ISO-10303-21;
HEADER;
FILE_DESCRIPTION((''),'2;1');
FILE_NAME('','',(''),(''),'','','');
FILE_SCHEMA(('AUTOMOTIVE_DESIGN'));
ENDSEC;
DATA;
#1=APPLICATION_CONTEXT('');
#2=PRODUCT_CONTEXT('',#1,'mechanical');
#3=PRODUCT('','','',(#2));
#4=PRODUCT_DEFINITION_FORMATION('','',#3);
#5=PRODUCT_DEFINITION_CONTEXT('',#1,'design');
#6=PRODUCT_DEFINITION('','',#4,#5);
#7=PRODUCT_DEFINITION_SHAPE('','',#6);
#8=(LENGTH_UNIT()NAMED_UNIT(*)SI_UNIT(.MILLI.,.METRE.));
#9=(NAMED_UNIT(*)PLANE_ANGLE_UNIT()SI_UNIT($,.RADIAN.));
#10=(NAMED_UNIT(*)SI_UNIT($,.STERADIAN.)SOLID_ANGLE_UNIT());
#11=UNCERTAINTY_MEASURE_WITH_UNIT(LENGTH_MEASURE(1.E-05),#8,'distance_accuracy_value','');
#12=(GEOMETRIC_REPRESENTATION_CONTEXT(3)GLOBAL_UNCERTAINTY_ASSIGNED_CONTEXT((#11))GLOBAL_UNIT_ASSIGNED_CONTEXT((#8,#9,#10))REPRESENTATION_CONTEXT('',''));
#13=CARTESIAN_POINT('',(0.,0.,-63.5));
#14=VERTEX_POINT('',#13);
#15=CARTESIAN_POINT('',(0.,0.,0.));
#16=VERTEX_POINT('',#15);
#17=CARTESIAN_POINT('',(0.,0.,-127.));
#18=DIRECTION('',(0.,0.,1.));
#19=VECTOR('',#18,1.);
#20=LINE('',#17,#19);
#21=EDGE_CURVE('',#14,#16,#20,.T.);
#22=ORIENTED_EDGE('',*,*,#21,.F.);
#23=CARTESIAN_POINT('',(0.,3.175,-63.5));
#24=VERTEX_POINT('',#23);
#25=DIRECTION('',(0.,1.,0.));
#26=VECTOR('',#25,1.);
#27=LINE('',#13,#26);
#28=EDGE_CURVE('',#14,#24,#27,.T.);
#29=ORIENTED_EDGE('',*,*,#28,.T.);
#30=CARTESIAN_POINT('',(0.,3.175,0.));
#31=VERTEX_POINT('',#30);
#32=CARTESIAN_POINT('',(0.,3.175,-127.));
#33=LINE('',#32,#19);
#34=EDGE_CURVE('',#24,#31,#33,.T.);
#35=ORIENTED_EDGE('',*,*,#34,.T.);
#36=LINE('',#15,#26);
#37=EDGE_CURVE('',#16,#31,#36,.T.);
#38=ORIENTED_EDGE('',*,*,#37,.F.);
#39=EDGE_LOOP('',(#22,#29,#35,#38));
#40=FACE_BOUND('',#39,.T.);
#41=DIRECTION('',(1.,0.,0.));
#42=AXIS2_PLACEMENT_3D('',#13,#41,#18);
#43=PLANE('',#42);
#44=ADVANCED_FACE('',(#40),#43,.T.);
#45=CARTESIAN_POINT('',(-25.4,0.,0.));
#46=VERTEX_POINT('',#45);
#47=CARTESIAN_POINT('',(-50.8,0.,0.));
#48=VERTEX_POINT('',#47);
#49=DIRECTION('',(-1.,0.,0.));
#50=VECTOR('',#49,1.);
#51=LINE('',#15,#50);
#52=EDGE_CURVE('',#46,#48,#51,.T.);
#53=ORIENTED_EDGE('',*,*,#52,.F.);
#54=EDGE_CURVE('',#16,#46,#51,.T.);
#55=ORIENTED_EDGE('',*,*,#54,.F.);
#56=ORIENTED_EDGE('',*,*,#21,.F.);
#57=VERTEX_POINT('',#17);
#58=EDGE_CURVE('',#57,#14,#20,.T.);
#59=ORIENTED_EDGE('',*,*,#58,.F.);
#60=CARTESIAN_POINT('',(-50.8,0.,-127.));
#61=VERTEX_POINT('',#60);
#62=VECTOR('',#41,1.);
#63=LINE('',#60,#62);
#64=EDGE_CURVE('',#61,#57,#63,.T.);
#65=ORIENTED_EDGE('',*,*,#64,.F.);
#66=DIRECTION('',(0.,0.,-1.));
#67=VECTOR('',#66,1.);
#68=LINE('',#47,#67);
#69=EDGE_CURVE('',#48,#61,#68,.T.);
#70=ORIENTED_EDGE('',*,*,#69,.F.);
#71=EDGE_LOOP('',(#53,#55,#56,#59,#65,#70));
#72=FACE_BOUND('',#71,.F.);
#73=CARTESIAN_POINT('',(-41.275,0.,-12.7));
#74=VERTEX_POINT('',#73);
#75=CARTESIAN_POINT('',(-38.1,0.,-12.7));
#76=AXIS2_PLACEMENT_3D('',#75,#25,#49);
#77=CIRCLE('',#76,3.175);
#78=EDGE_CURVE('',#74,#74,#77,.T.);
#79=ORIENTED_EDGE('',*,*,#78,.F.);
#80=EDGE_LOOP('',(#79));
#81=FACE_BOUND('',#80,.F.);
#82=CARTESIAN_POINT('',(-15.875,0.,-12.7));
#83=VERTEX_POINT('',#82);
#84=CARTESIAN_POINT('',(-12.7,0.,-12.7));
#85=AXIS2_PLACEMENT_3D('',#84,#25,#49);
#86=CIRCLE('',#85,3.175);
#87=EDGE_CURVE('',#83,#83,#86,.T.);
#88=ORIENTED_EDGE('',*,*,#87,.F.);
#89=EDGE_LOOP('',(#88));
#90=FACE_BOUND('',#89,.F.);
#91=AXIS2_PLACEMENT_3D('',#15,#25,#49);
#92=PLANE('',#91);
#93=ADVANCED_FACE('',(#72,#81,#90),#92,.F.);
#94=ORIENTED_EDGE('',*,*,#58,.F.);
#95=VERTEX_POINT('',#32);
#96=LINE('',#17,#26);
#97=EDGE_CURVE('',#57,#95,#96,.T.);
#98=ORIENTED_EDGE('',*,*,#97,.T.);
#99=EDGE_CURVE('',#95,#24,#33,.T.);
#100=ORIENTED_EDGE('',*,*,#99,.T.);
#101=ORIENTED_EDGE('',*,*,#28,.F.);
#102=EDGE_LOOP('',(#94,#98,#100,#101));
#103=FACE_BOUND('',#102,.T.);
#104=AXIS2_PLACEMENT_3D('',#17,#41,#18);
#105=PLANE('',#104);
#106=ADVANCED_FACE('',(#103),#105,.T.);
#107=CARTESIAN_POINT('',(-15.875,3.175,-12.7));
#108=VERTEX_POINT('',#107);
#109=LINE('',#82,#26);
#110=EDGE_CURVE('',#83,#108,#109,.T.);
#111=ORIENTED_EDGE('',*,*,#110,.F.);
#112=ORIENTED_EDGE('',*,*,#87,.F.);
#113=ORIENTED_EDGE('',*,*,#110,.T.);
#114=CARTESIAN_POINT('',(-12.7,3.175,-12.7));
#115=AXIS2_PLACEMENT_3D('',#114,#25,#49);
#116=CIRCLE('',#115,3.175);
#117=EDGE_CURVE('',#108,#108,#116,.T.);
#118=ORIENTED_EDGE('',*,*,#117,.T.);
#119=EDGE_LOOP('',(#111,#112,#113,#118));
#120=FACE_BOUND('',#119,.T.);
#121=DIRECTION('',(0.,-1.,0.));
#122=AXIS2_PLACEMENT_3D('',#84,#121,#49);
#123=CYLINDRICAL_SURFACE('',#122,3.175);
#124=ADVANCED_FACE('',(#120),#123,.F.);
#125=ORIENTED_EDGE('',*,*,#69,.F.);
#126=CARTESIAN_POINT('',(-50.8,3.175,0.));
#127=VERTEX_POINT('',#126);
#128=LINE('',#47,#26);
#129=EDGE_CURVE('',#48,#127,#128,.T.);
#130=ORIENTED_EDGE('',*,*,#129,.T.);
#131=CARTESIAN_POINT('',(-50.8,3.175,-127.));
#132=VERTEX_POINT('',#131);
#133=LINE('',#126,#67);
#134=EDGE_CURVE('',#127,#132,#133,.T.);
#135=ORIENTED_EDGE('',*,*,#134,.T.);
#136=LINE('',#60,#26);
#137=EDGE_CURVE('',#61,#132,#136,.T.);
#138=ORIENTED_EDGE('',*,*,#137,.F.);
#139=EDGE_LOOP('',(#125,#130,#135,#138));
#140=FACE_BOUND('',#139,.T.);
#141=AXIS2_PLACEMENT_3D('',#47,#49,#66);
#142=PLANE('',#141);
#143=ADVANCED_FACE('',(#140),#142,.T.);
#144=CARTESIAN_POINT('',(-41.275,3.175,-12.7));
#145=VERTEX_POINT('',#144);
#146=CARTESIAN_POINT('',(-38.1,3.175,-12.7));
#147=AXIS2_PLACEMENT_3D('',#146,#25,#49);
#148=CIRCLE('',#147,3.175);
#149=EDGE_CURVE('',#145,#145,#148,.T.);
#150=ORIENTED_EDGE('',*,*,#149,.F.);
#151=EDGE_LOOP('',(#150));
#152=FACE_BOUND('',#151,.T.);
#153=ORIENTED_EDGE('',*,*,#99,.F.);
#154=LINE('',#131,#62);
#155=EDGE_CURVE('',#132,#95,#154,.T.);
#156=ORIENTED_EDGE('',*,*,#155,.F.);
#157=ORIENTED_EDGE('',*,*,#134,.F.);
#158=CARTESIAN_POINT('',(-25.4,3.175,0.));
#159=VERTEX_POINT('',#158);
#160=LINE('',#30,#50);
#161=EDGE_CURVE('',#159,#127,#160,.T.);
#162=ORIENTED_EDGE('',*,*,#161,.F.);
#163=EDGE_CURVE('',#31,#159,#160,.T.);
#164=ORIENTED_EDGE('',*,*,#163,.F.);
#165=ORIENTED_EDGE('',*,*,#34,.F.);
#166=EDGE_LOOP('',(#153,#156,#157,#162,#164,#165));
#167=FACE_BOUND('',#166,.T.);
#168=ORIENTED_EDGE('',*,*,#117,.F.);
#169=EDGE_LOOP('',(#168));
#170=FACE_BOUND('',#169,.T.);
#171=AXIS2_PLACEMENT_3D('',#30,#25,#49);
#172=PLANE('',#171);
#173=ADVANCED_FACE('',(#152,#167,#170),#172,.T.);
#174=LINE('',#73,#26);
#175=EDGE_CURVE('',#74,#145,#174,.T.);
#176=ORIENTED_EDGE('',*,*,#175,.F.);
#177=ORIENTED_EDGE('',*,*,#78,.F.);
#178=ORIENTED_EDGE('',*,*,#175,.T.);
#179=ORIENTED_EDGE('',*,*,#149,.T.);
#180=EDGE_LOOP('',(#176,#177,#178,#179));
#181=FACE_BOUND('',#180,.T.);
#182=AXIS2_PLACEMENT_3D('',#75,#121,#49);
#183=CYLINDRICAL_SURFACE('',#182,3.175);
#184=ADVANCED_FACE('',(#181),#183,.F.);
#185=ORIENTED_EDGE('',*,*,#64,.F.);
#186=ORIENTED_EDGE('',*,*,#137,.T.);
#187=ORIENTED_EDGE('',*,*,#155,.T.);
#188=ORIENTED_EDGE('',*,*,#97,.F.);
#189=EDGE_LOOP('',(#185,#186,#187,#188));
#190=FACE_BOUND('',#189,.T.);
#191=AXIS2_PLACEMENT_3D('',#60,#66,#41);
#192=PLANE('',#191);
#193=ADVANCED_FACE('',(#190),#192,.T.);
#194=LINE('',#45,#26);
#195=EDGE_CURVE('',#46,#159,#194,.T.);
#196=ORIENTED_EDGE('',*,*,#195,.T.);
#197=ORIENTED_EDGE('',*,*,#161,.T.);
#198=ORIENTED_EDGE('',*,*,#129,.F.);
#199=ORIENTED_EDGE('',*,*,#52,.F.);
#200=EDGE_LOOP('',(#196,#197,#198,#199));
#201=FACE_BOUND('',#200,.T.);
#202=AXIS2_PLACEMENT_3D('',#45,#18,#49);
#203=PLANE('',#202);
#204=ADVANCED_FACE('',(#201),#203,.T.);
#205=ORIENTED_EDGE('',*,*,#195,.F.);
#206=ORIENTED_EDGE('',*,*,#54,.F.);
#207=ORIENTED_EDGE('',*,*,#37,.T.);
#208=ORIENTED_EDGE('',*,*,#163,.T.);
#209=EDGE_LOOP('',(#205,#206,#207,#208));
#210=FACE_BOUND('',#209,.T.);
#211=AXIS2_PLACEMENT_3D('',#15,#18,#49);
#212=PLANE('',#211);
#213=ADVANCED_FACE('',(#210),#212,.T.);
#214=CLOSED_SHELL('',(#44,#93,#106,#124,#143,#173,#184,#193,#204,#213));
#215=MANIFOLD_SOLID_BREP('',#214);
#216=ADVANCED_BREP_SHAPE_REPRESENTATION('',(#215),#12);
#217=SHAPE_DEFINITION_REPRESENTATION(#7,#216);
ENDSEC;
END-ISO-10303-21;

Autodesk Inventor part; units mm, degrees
ref_plane "YZ Plane" through (0, 0, 0) normal (1, 0, 0) x (0, 1, 0)
ref_plane "XZ Plane" through (0, 0, 0) normal (0, 1, 0) x (-1, 0, 0)
ref_plane "XY Plane" through (0, 0, 0) normal (0, 0, 1) x (1, 0, 0)
sketch "Sketch1" plane through (0, 0, 0) normal (0, 1, 0) x (-1, 0, 0)
  line L0 (0, 0) -> (50.8, 0)
  line L1 (50.8, 0) -> (50.8, -127)
  line L2 (50.8, -127) -> (0, -127)
  line L3 (0, -127) -> (0, 0)
  circle A0 centre (38.1, -12.7) radius 3.175
  line L4 (25.4, 0) -> (25.4, -12.7)
  circle A1 centre (12.7, -12.7) radius 3.175
  line L5 (0, -63.5) -> (4.0649, -63.5)
  circle A2 centre (38.1, 19.05) radius 3.175
  circle A3 centre (12.7, 19.05) radius 3.175
  dimension "d0" = 50.8
  dimension "d1" = 127
  dimension "d4" = 6.35
  dimension "d5" = 12.7
  dimension "d6" = 12.7
  dimension "d11" = 6.35
extrude "Extrusion1" add sketch "Sketch1" along normal blind 3.175 contours L0 L1 L2 L3
properties part number "Plate2inx47in"
